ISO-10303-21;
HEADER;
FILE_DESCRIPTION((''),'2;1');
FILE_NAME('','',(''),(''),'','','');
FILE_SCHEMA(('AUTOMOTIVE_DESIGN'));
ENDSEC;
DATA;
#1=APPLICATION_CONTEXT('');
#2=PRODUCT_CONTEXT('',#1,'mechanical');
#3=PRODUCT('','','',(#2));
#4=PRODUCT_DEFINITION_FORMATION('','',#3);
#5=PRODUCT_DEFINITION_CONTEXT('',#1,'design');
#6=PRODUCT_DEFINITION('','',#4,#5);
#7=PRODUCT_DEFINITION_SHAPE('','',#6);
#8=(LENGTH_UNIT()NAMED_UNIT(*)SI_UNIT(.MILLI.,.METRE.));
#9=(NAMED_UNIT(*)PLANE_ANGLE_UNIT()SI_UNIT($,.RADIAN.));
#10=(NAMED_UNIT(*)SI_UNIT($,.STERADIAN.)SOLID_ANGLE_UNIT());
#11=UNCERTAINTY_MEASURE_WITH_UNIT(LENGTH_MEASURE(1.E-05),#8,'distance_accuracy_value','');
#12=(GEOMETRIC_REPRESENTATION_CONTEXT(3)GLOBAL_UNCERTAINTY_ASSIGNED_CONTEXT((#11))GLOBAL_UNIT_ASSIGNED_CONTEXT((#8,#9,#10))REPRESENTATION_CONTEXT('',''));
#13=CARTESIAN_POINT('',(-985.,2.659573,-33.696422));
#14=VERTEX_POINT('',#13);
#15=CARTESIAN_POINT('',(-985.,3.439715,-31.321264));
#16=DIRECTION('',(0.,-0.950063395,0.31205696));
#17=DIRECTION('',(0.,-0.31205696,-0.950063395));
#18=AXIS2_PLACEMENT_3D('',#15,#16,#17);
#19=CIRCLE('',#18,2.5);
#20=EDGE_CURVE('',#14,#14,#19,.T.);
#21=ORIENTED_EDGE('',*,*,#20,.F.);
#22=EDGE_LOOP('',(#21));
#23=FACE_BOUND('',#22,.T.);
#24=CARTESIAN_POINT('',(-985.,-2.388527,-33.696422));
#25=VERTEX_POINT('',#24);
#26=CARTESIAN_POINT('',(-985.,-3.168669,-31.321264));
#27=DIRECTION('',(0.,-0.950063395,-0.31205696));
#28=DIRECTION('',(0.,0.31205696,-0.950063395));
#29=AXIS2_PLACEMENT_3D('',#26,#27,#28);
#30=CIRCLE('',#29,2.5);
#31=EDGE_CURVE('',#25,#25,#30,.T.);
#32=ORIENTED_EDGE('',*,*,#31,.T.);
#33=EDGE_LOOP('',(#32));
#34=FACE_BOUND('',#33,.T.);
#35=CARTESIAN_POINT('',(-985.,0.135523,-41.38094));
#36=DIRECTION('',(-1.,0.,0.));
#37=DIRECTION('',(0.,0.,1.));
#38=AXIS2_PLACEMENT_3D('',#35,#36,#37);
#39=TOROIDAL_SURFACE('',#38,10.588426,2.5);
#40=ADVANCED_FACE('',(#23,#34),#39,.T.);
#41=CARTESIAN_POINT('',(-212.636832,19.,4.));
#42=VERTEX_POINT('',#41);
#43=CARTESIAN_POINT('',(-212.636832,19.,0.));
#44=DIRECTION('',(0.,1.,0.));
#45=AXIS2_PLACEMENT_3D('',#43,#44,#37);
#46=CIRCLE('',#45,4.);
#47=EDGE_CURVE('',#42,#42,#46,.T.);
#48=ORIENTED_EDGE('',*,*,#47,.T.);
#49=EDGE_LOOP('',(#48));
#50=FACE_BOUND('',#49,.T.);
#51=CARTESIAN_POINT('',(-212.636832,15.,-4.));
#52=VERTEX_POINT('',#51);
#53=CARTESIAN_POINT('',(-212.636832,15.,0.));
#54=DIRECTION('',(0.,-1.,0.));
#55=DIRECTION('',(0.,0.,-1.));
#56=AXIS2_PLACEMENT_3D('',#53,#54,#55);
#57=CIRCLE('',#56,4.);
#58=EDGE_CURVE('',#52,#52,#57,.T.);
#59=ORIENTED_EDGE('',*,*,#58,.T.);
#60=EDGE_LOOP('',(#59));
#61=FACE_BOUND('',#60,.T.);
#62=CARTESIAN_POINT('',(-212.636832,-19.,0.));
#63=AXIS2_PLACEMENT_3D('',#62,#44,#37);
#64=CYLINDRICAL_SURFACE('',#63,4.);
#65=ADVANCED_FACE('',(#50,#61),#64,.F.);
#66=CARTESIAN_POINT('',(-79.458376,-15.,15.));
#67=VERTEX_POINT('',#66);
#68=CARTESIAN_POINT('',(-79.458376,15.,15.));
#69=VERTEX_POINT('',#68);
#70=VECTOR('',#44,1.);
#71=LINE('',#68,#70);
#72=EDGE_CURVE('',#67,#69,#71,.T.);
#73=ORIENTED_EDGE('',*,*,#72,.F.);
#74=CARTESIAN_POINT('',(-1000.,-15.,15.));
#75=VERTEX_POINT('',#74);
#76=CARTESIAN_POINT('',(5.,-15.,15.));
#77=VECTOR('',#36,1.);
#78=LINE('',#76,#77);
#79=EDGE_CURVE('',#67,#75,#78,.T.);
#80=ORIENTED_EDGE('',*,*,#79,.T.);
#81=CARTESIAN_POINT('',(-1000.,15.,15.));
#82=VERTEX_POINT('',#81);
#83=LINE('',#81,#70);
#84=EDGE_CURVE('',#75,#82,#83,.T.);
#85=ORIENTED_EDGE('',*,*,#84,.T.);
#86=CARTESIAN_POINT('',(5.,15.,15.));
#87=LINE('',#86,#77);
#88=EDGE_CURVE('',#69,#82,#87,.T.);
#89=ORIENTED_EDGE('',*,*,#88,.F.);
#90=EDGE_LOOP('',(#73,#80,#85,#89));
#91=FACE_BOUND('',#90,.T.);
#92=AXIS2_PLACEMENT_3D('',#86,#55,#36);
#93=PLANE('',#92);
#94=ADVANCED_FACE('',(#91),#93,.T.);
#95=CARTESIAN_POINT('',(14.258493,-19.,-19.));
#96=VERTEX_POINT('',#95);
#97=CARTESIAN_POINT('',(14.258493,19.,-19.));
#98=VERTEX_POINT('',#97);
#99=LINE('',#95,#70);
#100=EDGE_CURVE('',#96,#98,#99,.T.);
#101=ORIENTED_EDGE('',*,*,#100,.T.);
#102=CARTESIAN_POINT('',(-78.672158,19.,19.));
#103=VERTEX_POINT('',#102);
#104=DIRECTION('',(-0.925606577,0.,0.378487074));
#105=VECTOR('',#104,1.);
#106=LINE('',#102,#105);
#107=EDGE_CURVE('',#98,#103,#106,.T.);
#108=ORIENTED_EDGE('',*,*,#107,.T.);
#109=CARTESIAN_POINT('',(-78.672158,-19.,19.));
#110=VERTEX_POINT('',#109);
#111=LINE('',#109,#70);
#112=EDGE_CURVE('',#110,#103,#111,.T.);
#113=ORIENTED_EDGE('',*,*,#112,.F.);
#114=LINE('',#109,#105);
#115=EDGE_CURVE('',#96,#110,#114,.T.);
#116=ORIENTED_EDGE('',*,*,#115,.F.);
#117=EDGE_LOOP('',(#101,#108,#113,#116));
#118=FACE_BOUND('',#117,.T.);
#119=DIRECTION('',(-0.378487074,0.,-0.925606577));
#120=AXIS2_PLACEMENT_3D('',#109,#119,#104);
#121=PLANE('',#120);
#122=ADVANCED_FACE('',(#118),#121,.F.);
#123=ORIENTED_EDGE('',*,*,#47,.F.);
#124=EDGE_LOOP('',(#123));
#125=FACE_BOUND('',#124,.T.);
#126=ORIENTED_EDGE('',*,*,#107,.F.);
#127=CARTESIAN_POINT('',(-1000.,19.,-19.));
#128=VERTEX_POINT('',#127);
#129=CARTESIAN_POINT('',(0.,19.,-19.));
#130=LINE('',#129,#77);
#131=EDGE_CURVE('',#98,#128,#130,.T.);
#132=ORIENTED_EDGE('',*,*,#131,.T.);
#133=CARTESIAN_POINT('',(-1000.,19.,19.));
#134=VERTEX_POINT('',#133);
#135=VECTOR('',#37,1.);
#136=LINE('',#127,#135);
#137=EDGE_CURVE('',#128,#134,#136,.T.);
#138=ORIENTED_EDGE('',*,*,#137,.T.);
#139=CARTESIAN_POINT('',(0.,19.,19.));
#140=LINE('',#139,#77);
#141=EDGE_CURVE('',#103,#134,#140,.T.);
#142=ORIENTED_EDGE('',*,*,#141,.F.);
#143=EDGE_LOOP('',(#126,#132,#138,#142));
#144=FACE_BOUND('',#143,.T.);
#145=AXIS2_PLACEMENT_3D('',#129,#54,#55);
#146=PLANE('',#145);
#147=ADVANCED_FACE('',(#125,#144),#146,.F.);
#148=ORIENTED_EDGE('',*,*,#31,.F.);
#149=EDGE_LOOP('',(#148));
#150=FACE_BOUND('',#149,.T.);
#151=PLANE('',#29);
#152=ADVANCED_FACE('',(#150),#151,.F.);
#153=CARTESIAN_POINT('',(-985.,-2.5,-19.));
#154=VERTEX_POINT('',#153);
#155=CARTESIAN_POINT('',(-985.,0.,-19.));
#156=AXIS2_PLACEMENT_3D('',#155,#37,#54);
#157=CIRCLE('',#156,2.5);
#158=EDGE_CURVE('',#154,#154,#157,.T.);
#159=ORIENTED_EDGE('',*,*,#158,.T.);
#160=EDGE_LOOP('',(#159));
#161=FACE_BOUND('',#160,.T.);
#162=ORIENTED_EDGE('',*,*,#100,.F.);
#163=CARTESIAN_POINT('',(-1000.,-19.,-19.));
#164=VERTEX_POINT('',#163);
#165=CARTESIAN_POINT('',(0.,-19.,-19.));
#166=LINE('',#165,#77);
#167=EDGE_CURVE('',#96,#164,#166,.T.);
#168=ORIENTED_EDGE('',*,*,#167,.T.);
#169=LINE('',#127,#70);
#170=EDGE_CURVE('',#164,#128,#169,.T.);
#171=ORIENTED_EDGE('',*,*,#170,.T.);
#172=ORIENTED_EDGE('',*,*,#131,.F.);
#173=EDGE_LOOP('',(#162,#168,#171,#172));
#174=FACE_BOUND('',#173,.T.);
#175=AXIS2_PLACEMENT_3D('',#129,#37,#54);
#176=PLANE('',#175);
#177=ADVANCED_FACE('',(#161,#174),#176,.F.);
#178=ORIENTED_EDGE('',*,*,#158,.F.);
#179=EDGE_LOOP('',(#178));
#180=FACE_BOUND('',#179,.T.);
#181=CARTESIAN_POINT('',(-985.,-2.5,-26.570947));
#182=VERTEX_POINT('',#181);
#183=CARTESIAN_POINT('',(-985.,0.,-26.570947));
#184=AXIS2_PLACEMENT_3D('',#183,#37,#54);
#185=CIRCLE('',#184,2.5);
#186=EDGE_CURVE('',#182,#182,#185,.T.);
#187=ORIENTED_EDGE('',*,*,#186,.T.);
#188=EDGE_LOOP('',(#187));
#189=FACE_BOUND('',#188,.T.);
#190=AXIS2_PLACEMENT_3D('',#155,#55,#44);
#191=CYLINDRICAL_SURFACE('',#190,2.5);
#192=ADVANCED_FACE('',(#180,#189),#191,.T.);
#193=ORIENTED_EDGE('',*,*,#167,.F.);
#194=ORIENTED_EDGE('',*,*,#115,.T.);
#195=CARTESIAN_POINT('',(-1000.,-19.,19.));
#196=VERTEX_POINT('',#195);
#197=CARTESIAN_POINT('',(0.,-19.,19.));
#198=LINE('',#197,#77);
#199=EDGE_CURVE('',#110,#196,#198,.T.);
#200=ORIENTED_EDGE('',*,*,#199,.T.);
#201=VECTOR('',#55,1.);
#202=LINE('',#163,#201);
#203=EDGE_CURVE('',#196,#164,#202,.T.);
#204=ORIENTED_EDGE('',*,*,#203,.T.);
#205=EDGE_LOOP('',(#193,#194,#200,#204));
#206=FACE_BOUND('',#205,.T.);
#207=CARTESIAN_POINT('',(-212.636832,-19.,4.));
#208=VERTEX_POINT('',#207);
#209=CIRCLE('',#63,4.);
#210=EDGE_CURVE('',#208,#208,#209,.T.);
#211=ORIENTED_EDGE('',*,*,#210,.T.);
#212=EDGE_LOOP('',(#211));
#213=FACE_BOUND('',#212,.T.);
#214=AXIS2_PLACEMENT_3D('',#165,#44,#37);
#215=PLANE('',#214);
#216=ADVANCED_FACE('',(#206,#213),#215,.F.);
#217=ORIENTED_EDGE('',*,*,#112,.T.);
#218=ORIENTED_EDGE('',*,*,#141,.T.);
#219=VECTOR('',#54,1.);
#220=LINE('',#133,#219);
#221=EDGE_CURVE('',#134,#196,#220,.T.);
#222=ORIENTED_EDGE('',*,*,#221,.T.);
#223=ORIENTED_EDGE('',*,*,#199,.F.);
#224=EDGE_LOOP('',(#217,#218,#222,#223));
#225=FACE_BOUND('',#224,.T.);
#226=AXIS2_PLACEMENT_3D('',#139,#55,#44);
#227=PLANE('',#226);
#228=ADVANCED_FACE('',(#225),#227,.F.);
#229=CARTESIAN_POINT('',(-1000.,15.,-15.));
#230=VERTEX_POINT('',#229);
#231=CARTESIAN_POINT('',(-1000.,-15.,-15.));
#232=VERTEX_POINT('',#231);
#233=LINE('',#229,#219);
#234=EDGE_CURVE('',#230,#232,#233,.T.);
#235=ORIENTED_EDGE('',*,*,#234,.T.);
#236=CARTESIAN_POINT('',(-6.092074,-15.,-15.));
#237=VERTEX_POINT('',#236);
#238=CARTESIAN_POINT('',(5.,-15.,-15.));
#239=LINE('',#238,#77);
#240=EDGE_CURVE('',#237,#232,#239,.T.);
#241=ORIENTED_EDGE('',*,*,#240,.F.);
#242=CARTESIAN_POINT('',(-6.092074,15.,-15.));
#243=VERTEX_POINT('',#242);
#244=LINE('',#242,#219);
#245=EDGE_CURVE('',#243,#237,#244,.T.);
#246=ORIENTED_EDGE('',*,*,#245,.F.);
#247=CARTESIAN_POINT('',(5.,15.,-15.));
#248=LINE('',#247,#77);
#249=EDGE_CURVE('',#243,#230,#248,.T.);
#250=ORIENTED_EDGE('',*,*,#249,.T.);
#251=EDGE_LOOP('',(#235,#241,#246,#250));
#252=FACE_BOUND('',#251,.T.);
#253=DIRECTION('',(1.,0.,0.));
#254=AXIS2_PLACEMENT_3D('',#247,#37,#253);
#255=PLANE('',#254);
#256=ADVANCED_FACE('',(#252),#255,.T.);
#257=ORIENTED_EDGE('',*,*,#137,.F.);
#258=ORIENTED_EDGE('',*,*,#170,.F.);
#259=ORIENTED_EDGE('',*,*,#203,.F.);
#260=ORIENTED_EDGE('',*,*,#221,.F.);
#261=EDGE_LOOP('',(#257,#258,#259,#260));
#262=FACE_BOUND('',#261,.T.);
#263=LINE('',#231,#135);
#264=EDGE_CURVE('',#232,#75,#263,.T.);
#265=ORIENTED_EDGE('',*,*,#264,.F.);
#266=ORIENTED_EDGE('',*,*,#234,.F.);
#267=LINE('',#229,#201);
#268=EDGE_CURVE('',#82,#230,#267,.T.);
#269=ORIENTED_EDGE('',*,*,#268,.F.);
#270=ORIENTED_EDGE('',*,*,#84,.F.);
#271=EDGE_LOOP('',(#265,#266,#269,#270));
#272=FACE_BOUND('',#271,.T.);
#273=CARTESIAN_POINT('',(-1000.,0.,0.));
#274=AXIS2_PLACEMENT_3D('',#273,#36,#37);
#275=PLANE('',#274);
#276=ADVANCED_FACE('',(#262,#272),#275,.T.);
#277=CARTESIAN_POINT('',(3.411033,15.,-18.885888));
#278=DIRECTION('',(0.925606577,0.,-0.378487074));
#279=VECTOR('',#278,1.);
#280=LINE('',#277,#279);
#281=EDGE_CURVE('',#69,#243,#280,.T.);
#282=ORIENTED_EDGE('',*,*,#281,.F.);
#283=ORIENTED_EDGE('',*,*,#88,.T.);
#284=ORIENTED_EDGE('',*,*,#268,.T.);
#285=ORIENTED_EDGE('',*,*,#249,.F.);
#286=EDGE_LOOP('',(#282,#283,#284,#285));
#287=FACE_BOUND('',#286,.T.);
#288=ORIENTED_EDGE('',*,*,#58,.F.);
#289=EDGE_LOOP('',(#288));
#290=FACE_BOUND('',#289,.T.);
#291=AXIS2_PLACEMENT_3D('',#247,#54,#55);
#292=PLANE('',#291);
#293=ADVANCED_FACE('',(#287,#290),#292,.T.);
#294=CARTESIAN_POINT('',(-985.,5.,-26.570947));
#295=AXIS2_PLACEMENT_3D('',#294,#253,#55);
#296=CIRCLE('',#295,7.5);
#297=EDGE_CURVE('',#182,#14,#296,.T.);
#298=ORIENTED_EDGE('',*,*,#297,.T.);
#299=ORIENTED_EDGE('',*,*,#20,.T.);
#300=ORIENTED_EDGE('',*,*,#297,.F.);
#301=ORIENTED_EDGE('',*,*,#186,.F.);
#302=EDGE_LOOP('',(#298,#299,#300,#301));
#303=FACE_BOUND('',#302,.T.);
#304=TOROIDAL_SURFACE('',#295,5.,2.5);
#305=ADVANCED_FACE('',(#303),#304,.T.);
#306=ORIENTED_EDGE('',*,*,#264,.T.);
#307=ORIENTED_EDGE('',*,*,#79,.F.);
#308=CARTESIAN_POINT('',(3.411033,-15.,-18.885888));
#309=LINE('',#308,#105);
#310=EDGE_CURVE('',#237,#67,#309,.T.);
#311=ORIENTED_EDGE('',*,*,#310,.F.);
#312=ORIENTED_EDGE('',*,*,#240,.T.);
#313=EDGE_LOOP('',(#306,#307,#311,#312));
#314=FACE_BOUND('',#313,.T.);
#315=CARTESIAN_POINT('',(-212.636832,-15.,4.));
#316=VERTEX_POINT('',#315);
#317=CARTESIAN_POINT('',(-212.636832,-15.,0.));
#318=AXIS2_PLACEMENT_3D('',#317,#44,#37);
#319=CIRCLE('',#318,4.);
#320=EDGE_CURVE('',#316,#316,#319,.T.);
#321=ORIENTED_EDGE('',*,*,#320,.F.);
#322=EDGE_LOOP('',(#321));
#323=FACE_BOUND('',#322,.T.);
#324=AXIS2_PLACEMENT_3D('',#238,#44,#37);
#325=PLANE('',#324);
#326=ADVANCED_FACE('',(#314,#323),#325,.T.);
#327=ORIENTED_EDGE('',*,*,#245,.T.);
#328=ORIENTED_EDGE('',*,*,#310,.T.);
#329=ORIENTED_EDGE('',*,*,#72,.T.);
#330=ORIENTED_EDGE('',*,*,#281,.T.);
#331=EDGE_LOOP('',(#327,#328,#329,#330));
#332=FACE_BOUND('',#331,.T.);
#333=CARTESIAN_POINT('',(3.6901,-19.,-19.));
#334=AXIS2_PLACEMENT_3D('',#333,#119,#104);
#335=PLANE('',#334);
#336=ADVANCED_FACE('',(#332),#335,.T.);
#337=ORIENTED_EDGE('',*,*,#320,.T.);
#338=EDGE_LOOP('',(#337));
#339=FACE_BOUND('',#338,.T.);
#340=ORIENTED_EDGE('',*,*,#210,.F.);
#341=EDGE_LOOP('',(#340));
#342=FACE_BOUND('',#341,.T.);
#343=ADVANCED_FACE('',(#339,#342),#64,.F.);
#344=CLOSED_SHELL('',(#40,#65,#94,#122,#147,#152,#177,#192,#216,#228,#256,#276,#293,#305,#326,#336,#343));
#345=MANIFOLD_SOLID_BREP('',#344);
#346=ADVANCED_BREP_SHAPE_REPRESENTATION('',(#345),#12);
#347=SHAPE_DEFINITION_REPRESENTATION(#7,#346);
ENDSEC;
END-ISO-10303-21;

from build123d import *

# Parameters (mm, degrees)
SKETCH2_W           = 38
SKETCH2_H           = 38
SKETCH3_W           = 30
SKETCH3_H           = 30
SKETCH4_R           = 4
CUT_EXTRUDE1_DEPTH  = 1001.902093114
SWEEP2_PROFILE_R    = 2.5
CUT_EXTRUDE2_DEPTH  = 1003.203029253
BOSS_EXTRUDE1_DEPTH = 38
SKETCH22_W          = 30
SKETCH22_H          = 30
CUT_EXTRUDE3_DEPTH  = 1074.472400545
CUT_EXTRUDE4_DEPTH  = 1003.203029253
CUT_EXTRUDE5_DEPTH  = 1003.203029253
BOSS_EXTRUDE2_REACH = 1004.203


with BuildPart() as part:
    # Sweep1: sweep along a path in Sketch1
    with BuildLine(Plane(origin=(0, 0, 0), x_dir=(1, 0, 0), z_dir=(0, 1, 0))) as sweep1_path:
        Line((0, 0), (-1000, 0))
    # Sketch2 → Sweep1 (sweep)
    with BuildSketch(Plane(origin=(0, 0, 0), x_dir=(0, 0, -1), z_dir=(1, 0, 0))):
        Rectangle(SKETCH2_W, SKETCH2_H)
    sweep(path=sweep1_path.line)

    # Cut-Sweep1: sweep along a path in Sketch1<2>
    with BuildLine(Plane(origin=(0, 0, 0), x_dir=(1, 0, 0), z_dir=(0, 1, 0))) as cut_sweep1_path:
        Line((0, 0), (-1000, 0))
    # Sketch3 → Cut-Sweep1 (sweep, cut)
    with BuildSketch(Plane(origin=(0, 0, 0), x_dir=(0, 0, -1), z_dir=(1, 0, 0))):
        Rectangle(SKETCH3_W, SKETCH3_H)
    sweep(path=cut_sweep1_path.line, mode=Mode.SUBTRACT)

    # Sketch4 → Cut-Extrude1 (cut, through all)
    with BuildSketch(Plane(origin=(0, 19, 0), x_dir=(1, 0, 0), z_dir=(0, 1, 0))):
        with Locations((-212.63683242, 0)):
            Circle(SKETCH4_R)
    extrude(amount=-CUT_EXTRUDE1_DEPTH, mode=Mode.SUBTRACT)

    # Sweep2: sweep along a path in Sketch5
    with BuildLine(Plane.ZY.offset(985)) as sweep2_path:
        Line((-19, 0), (-26.570946825, 0))
        ThreePointArc((-26.570946825, 0), (-29.503401087, 0.950220747), (-31.321263798, 3.4397152))
        ThreePointArc((-31.321263798, 3.4397152), (-51.969366005, 0.135523131), (-31.321263798, -3.168668939))
    # Sweep2 profile (on start of the path) → Sweep2 (sweep)
    with BuildSketch(Plane(origin=(-985, 0, -19), x_dir=(0, -1, 0), z_dir=(0, 0, -1))):
        Circle(SWEEP2_PROFILE_R)
    sweep(path=sweep2_path.line)

    # Sketch16 → Cut-Extrude2 (cut, through all)
    with BuildSketch(Plane(origin=(0, 19, 0), x_dir=(1, 0, 0), z_dir=(0, 1, 0))):
        Polygon((0, -19), (0, 19), (-71.907398101, -19), align=None)
    extrude(amount=-CUT_EXTRUDE2_DEPTH, mode=Mode.SUBTRACT)

    # Sketch17 → Boss-Extrude1 (add)
    with BuildSketch(Plane(origin=(0, 19, 0), x_dir=(1, 0, 0), z_dir=(0, 1, 0))):
        Polygon((-71.907398101, -19), (0, -19), (71.921211139, 19), (0, 19), align=None)
    extrude(amount=-BOSS_EXTRUDE1_DEPTH)

    # Sketch22 → Cut-Extrude3 (cut, through all)
    with BuildSketch(Plane.ZY.offset(1000)):
        Rectangle(SKETCH22_W, SKETCH22_H)
    extrude(amount=-CUT_EXTRUDE3_DEPTH, mode=Mode.SUBTRACT)

    # Sketch23 → Cut-Extrude4 (cut, through all)
    with BuildSketch(Plane(origin=(0, 19, 0), x_dir=(1, 0, 0), z_dir=(0, 1, 0))):
        Polygon((14.258492684, 0), (-32.20683242, -19), (0, -19), (71.921211139, 19), (60.723817789, 19), align=None)
    extrude(amount=-CUT_EXTRUDE4_DEPTH, mode=Mode.SUBTRACT)

    # Sketch24 → Cut-Extrude5 (cut, through all)
    with BuildSketch(Plane(origin=(0, 19, 0), x_dir=(1, 0, 0), z_dir=(0, 1, 0))):
        Polygon((-78.672157524, -19), (14.258492684, 19), (60.723817789, 19), (-32.20683242, -19), align=None)
    extrude(amount=-CUT_EXTRUDE5_DEPTH, mode=Mode.SUBTRACT)

    # Sketch25 → Boss-Extrude2 (add, up to next)
    with BuildSketch(Plane(origin=(0, 19, 0), x_dir=(1, 0, 0), z_dir=(0, 1, 0)), mode=Mode.PRIVATE) as boss_extrude2_sk1:
        Polygon((3.690100071, 19), (-89.240550137, -19), (-78.672157524, -19), (14.258492684, 19), align=None)
    boss_extrude2_tool1 = extrude(boss_extrude2_sk1.sketch, amount=-BOSS_EXTRUDE2_REACH, mode=Mode.PRIVATE) - part.part
    add(boss_extrude2_tool1.solids().sort_by_distance((-37.491029, 19, 0))[0])


solid = part.part
